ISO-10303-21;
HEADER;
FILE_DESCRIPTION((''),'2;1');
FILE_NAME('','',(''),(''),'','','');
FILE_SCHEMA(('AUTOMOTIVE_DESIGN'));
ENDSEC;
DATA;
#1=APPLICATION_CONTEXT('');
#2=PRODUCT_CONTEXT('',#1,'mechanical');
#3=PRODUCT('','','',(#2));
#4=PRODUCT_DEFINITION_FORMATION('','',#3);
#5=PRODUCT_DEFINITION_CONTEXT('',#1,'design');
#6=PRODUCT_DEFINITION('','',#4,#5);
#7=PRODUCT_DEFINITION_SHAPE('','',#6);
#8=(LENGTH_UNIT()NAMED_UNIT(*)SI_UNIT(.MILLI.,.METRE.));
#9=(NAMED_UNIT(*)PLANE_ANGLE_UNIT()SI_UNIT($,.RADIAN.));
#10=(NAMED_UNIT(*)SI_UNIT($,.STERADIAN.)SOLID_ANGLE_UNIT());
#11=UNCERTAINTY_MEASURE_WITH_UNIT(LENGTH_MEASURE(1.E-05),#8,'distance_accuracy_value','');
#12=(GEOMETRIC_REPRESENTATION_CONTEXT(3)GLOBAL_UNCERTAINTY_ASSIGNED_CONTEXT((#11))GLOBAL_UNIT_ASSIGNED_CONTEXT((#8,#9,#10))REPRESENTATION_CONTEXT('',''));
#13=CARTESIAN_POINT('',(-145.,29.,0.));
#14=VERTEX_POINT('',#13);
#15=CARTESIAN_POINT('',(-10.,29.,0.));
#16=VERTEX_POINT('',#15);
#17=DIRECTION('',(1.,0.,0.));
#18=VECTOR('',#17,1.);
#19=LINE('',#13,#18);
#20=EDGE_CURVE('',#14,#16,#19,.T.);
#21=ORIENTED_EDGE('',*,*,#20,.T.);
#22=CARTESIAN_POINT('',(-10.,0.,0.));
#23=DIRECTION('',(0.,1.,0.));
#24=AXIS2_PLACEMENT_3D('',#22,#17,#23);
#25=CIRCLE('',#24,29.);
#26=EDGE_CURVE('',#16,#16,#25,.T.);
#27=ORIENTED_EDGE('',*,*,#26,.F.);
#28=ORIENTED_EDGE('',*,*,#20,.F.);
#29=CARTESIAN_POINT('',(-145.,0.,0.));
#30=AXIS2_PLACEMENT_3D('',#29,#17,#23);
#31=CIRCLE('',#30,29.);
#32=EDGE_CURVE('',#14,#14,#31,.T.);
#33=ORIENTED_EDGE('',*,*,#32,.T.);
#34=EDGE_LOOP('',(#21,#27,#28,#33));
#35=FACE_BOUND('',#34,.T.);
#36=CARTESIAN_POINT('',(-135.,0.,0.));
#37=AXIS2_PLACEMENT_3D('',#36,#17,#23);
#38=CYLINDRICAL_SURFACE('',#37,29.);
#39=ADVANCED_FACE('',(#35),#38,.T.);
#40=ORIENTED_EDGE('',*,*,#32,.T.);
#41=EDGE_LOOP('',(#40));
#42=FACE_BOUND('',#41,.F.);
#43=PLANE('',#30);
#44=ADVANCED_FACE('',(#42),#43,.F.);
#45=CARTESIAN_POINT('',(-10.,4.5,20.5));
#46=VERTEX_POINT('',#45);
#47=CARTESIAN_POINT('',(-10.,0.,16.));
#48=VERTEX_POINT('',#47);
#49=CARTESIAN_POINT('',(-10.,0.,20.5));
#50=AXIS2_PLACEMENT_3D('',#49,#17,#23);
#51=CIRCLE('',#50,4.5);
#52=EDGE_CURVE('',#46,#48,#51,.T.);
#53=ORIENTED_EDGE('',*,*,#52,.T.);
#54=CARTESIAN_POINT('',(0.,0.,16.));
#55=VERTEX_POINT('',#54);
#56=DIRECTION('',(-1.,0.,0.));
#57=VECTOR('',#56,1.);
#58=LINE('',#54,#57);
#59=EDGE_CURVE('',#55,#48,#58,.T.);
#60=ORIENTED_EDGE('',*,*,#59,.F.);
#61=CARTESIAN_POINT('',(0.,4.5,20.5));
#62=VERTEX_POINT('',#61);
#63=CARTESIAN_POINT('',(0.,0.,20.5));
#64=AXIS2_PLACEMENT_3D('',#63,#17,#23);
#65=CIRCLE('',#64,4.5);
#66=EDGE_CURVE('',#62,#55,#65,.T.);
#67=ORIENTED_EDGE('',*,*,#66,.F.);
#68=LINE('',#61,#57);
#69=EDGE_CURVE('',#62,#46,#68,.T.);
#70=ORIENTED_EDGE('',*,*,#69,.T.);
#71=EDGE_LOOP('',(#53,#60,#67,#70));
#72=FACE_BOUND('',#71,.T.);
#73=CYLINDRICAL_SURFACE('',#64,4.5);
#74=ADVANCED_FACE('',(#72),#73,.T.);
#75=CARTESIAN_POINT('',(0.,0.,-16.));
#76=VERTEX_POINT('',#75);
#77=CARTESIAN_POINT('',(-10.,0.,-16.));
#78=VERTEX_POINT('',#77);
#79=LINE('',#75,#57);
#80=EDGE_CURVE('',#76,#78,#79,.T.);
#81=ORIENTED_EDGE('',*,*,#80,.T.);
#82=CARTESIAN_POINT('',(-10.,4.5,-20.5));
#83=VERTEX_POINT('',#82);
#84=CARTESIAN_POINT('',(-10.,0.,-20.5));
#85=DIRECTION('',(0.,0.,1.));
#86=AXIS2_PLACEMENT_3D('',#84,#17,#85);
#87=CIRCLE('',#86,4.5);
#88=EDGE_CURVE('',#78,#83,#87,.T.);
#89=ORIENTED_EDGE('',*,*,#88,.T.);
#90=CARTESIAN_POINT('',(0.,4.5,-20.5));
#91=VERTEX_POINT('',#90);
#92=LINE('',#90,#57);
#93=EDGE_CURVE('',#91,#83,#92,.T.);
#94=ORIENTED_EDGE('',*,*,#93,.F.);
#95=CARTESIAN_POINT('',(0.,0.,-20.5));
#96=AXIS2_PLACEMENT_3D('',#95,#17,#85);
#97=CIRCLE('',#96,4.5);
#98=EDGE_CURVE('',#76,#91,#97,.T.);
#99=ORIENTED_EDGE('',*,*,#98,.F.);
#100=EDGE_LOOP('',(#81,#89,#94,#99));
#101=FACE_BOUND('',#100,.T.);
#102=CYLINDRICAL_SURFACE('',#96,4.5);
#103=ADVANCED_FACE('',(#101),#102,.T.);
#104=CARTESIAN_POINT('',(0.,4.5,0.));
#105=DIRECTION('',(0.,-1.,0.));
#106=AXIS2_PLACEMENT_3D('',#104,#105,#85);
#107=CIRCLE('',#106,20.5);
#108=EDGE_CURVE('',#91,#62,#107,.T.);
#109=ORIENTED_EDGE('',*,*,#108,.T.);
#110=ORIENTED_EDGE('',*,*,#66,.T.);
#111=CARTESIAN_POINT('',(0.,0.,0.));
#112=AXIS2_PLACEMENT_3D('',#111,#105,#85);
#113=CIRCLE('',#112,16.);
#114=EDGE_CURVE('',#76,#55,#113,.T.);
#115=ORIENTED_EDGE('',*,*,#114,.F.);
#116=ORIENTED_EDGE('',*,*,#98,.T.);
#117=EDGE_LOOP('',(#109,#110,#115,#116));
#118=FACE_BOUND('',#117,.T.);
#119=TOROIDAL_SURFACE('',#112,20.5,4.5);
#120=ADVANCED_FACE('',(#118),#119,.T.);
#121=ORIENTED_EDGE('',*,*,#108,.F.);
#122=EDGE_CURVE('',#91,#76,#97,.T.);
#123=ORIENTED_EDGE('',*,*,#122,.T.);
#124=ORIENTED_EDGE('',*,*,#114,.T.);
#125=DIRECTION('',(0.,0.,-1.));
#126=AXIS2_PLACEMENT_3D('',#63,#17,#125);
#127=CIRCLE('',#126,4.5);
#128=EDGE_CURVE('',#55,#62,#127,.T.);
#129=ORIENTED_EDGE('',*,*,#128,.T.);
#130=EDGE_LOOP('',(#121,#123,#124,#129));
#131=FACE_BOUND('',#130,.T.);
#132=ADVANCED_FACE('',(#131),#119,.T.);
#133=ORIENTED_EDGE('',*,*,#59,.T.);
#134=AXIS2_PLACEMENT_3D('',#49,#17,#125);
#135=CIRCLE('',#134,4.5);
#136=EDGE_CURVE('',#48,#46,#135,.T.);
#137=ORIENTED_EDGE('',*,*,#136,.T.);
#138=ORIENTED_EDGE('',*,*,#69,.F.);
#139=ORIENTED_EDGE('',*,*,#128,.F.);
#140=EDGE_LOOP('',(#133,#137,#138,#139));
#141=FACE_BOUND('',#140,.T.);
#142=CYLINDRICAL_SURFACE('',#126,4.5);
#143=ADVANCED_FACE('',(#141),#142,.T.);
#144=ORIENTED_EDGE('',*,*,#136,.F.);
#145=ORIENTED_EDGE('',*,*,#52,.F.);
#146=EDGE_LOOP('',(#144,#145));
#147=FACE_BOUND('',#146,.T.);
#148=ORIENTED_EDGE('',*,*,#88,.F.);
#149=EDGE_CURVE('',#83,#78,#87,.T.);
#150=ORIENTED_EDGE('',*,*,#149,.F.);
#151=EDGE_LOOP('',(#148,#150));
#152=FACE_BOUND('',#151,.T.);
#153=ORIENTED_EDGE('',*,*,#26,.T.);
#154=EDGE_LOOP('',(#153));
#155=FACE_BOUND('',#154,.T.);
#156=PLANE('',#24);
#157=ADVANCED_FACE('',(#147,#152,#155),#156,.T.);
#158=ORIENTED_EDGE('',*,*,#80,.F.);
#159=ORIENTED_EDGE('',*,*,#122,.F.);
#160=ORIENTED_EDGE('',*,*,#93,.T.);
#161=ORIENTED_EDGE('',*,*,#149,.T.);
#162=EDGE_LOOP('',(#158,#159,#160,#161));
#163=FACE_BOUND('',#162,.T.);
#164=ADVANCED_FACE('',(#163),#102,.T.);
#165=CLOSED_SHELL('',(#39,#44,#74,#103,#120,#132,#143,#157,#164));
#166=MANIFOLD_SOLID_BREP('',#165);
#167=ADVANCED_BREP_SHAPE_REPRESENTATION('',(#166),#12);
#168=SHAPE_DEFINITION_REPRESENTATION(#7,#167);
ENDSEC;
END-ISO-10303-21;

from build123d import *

# Parameters (mm, degrees)
F0_R     = 29
F1_DEPTH = 135
F4_DEPTH = 10
F5_DEPTH = 10


with BuildPart() as f1:
    # F0 (on Right) → F1 (new body)
    with BuildSketch(Plane.YZ):
        Circle(F0_R)
    extrude(amount=-F1_DEPTH)

    # F2 (on Right) → F3 (revolve)
    with BuildSketch(Plane.YZ):
        with BuildLine():
            ThreePointArc((0, 16), (3.1819805153, 17.3180194847), (4.5, 20.5))
            ThreePointArc((4.5, 20.5), (-3.1819805153, 23.6819805153), (0, 16))
        make_face()
    revolve(axis=Axis((0, -100, 0), (0, -1, 0)))

    # F4 (add): a face of the model
    f4_faces = [f1.faces().sort_by_distance(p)[0] for p in [
        (-135, 0, 0),
    ]]
    extrude(f4_faces, amount=F4_DEPTH)

    # F5 (cut): a face of the model
    f5_faces = [f1.faces().sort_by_distance(p)[0] for p in [
        (0, 0, 0),
    ]]
    extrude(f5_faces, amount=-F5_DEPTH, mode=Mode.SUBTRACT)


solid = f1.part
